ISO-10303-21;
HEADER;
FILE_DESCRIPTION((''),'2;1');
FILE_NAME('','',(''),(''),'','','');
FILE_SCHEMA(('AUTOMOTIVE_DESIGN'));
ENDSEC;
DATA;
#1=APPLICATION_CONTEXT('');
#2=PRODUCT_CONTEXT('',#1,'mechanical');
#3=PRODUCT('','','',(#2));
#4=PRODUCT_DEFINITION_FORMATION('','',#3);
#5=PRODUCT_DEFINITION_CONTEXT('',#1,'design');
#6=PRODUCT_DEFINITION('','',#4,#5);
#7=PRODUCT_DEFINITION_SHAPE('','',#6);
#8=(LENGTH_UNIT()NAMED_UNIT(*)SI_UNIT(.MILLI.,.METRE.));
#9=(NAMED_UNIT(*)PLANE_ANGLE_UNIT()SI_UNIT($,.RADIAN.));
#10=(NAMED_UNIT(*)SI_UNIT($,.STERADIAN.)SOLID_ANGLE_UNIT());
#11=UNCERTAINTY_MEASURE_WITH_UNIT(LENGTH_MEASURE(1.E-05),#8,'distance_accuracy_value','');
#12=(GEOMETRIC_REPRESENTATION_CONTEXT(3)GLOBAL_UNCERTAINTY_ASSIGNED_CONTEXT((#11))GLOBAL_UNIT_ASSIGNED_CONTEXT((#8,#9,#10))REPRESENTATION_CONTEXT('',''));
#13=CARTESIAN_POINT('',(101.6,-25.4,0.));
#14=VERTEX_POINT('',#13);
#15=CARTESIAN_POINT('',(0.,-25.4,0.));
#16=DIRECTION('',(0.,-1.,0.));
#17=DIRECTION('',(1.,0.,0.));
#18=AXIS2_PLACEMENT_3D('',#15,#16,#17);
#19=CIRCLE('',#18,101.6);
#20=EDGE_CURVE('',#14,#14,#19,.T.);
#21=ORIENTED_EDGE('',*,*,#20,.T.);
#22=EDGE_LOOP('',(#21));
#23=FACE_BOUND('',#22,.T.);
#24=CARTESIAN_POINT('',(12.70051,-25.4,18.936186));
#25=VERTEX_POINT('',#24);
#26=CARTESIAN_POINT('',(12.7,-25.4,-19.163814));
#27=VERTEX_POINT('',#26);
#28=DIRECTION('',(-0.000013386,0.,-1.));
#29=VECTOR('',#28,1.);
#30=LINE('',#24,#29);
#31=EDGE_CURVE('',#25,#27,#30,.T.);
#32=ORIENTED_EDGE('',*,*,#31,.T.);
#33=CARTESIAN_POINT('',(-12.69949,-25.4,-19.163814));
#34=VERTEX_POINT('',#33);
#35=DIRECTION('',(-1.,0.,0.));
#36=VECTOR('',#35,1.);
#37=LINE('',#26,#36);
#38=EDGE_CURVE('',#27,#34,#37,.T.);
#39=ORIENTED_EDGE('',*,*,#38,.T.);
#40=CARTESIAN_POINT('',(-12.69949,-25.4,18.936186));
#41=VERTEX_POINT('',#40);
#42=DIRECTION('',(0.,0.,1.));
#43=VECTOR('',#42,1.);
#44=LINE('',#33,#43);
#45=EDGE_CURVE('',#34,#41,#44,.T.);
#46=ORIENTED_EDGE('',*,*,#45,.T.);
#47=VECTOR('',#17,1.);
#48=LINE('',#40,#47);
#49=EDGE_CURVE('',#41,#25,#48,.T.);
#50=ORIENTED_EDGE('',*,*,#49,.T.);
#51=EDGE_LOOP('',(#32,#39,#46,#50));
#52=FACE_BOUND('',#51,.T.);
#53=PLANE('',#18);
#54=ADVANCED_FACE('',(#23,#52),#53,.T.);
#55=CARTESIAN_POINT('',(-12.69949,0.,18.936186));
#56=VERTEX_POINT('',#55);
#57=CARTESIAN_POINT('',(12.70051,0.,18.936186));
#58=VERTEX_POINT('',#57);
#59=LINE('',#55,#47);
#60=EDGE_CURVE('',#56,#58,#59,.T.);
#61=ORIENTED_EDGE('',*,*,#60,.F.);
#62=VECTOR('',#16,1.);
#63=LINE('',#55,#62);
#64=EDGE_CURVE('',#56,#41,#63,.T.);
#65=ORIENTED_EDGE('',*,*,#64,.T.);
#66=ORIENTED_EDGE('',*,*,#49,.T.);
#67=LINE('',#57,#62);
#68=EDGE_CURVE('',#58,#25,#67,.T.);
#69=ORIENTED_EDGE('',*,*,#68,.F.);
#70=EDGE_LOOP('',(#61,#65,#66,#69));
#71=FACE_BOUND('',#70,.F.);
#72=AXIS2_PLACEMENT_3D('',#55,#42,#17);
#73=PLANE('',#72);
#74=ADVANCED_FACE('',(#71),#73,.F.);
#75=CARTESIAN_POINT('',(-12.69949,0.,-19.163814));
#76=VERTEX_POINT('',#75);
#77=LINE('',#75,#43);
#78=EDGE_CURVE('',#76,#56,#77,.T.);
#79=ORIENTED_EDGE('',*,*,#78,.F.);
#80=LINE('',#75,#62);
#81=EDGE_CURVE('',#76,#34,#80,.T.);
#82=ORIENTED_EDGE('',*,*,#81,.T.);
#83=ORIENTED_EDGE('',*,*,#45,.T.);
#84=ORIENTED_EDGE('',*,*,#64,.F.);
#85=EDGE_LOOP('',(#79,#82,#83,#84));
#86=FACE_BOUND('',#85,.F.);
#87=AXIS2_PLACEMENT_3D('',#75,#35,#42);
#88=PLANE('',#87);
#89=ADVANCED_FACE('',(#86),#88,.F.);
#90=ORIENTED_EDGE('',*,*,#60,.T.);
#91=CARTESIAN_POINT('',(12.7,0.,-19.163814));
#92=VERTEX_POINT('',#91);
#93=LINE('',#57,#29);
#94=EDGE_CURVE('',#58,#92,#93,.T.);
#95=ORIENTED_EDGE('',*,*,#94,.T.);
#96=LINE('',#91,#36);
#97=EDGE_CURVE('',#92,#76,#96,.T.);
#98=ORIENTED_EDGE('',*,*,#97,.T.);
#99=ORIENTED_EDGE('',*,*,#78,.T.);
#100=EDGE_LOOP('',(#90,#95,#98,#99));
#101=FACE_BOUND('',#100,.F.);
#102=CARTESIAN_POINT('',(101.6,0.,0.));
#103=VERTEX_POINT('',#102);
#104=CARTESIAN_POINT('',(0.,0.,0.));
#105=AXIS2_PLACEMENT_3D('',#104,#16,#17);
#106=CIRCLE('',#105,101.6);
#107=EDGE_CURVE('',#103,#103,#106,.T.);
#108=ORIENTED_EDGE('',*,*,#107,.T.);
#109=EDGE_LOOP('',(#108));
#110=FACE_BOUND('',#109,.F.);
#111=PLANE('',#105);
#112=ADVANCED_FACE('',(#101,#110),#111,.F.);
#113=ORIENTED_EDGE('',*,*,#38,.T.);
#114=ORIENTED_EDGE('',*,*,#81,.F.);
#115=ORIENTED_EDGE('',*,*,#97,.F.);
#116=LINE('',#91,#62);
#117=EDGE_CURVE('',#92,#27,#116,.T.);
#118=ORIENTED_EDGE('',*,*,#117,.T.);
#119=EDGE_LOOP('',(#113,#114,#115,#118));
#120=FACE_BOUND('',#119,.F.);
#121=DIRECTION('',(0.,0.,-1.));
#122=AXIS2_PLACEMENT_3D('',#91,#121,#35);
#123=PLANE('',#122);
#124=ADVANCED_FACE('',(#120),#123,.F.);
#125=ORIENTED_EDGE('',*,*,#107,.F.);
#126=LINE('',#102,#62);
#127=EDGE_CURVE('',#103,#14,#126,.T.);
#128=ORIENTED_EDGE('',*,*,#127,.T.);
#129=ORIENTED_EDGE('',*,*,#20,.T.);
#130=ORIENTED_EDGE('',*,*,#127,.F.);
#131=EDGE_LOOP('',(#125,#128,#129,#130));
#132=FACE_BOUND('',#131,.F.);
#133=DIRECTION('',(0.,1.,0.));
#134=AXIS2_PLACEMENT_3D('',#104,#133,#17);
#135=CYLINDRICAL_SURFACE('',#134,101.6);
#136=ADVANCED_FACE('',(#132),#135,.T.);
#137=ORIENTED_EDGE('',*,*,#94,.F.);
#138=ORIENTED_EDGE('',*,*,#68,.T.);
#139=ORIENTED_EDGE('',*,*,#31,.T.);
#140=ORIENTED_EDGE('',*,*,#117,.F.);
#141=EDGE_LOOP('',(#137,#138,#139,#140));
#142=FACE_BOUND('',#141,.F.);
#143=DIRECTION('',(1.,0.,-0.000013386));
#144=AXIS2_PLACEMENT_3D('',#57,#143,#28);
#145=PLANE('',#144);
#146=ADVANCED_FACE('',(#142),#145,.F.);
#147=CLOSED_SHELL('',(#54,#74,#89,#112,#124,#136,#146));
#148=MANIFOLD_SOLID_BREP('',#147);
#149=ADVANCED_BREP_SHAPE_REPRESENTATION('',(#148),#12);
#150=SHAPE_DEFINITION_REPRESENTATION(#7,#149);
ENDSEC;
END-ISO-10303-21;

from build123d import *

# Parameters (mm, degrees)
F0_R     = 101.6
F1_DEPTH = 25.4


with BuildPart() as f1:
    # F0 (on Front) → F1 (new body)
    with BuildSketch(Plane.XZ):
        Circle(F0_R)
        Polygon((-12.69949, -19.163814), (-12.69949, -0.113814), (-12.69949, 18.936186), (12.70051, 18.936186), (12.7, -19.163814), align=None, mode=Mode.SUBTRACT)
    extrude(amount=F1_DEPTH)


solid = f1.part
